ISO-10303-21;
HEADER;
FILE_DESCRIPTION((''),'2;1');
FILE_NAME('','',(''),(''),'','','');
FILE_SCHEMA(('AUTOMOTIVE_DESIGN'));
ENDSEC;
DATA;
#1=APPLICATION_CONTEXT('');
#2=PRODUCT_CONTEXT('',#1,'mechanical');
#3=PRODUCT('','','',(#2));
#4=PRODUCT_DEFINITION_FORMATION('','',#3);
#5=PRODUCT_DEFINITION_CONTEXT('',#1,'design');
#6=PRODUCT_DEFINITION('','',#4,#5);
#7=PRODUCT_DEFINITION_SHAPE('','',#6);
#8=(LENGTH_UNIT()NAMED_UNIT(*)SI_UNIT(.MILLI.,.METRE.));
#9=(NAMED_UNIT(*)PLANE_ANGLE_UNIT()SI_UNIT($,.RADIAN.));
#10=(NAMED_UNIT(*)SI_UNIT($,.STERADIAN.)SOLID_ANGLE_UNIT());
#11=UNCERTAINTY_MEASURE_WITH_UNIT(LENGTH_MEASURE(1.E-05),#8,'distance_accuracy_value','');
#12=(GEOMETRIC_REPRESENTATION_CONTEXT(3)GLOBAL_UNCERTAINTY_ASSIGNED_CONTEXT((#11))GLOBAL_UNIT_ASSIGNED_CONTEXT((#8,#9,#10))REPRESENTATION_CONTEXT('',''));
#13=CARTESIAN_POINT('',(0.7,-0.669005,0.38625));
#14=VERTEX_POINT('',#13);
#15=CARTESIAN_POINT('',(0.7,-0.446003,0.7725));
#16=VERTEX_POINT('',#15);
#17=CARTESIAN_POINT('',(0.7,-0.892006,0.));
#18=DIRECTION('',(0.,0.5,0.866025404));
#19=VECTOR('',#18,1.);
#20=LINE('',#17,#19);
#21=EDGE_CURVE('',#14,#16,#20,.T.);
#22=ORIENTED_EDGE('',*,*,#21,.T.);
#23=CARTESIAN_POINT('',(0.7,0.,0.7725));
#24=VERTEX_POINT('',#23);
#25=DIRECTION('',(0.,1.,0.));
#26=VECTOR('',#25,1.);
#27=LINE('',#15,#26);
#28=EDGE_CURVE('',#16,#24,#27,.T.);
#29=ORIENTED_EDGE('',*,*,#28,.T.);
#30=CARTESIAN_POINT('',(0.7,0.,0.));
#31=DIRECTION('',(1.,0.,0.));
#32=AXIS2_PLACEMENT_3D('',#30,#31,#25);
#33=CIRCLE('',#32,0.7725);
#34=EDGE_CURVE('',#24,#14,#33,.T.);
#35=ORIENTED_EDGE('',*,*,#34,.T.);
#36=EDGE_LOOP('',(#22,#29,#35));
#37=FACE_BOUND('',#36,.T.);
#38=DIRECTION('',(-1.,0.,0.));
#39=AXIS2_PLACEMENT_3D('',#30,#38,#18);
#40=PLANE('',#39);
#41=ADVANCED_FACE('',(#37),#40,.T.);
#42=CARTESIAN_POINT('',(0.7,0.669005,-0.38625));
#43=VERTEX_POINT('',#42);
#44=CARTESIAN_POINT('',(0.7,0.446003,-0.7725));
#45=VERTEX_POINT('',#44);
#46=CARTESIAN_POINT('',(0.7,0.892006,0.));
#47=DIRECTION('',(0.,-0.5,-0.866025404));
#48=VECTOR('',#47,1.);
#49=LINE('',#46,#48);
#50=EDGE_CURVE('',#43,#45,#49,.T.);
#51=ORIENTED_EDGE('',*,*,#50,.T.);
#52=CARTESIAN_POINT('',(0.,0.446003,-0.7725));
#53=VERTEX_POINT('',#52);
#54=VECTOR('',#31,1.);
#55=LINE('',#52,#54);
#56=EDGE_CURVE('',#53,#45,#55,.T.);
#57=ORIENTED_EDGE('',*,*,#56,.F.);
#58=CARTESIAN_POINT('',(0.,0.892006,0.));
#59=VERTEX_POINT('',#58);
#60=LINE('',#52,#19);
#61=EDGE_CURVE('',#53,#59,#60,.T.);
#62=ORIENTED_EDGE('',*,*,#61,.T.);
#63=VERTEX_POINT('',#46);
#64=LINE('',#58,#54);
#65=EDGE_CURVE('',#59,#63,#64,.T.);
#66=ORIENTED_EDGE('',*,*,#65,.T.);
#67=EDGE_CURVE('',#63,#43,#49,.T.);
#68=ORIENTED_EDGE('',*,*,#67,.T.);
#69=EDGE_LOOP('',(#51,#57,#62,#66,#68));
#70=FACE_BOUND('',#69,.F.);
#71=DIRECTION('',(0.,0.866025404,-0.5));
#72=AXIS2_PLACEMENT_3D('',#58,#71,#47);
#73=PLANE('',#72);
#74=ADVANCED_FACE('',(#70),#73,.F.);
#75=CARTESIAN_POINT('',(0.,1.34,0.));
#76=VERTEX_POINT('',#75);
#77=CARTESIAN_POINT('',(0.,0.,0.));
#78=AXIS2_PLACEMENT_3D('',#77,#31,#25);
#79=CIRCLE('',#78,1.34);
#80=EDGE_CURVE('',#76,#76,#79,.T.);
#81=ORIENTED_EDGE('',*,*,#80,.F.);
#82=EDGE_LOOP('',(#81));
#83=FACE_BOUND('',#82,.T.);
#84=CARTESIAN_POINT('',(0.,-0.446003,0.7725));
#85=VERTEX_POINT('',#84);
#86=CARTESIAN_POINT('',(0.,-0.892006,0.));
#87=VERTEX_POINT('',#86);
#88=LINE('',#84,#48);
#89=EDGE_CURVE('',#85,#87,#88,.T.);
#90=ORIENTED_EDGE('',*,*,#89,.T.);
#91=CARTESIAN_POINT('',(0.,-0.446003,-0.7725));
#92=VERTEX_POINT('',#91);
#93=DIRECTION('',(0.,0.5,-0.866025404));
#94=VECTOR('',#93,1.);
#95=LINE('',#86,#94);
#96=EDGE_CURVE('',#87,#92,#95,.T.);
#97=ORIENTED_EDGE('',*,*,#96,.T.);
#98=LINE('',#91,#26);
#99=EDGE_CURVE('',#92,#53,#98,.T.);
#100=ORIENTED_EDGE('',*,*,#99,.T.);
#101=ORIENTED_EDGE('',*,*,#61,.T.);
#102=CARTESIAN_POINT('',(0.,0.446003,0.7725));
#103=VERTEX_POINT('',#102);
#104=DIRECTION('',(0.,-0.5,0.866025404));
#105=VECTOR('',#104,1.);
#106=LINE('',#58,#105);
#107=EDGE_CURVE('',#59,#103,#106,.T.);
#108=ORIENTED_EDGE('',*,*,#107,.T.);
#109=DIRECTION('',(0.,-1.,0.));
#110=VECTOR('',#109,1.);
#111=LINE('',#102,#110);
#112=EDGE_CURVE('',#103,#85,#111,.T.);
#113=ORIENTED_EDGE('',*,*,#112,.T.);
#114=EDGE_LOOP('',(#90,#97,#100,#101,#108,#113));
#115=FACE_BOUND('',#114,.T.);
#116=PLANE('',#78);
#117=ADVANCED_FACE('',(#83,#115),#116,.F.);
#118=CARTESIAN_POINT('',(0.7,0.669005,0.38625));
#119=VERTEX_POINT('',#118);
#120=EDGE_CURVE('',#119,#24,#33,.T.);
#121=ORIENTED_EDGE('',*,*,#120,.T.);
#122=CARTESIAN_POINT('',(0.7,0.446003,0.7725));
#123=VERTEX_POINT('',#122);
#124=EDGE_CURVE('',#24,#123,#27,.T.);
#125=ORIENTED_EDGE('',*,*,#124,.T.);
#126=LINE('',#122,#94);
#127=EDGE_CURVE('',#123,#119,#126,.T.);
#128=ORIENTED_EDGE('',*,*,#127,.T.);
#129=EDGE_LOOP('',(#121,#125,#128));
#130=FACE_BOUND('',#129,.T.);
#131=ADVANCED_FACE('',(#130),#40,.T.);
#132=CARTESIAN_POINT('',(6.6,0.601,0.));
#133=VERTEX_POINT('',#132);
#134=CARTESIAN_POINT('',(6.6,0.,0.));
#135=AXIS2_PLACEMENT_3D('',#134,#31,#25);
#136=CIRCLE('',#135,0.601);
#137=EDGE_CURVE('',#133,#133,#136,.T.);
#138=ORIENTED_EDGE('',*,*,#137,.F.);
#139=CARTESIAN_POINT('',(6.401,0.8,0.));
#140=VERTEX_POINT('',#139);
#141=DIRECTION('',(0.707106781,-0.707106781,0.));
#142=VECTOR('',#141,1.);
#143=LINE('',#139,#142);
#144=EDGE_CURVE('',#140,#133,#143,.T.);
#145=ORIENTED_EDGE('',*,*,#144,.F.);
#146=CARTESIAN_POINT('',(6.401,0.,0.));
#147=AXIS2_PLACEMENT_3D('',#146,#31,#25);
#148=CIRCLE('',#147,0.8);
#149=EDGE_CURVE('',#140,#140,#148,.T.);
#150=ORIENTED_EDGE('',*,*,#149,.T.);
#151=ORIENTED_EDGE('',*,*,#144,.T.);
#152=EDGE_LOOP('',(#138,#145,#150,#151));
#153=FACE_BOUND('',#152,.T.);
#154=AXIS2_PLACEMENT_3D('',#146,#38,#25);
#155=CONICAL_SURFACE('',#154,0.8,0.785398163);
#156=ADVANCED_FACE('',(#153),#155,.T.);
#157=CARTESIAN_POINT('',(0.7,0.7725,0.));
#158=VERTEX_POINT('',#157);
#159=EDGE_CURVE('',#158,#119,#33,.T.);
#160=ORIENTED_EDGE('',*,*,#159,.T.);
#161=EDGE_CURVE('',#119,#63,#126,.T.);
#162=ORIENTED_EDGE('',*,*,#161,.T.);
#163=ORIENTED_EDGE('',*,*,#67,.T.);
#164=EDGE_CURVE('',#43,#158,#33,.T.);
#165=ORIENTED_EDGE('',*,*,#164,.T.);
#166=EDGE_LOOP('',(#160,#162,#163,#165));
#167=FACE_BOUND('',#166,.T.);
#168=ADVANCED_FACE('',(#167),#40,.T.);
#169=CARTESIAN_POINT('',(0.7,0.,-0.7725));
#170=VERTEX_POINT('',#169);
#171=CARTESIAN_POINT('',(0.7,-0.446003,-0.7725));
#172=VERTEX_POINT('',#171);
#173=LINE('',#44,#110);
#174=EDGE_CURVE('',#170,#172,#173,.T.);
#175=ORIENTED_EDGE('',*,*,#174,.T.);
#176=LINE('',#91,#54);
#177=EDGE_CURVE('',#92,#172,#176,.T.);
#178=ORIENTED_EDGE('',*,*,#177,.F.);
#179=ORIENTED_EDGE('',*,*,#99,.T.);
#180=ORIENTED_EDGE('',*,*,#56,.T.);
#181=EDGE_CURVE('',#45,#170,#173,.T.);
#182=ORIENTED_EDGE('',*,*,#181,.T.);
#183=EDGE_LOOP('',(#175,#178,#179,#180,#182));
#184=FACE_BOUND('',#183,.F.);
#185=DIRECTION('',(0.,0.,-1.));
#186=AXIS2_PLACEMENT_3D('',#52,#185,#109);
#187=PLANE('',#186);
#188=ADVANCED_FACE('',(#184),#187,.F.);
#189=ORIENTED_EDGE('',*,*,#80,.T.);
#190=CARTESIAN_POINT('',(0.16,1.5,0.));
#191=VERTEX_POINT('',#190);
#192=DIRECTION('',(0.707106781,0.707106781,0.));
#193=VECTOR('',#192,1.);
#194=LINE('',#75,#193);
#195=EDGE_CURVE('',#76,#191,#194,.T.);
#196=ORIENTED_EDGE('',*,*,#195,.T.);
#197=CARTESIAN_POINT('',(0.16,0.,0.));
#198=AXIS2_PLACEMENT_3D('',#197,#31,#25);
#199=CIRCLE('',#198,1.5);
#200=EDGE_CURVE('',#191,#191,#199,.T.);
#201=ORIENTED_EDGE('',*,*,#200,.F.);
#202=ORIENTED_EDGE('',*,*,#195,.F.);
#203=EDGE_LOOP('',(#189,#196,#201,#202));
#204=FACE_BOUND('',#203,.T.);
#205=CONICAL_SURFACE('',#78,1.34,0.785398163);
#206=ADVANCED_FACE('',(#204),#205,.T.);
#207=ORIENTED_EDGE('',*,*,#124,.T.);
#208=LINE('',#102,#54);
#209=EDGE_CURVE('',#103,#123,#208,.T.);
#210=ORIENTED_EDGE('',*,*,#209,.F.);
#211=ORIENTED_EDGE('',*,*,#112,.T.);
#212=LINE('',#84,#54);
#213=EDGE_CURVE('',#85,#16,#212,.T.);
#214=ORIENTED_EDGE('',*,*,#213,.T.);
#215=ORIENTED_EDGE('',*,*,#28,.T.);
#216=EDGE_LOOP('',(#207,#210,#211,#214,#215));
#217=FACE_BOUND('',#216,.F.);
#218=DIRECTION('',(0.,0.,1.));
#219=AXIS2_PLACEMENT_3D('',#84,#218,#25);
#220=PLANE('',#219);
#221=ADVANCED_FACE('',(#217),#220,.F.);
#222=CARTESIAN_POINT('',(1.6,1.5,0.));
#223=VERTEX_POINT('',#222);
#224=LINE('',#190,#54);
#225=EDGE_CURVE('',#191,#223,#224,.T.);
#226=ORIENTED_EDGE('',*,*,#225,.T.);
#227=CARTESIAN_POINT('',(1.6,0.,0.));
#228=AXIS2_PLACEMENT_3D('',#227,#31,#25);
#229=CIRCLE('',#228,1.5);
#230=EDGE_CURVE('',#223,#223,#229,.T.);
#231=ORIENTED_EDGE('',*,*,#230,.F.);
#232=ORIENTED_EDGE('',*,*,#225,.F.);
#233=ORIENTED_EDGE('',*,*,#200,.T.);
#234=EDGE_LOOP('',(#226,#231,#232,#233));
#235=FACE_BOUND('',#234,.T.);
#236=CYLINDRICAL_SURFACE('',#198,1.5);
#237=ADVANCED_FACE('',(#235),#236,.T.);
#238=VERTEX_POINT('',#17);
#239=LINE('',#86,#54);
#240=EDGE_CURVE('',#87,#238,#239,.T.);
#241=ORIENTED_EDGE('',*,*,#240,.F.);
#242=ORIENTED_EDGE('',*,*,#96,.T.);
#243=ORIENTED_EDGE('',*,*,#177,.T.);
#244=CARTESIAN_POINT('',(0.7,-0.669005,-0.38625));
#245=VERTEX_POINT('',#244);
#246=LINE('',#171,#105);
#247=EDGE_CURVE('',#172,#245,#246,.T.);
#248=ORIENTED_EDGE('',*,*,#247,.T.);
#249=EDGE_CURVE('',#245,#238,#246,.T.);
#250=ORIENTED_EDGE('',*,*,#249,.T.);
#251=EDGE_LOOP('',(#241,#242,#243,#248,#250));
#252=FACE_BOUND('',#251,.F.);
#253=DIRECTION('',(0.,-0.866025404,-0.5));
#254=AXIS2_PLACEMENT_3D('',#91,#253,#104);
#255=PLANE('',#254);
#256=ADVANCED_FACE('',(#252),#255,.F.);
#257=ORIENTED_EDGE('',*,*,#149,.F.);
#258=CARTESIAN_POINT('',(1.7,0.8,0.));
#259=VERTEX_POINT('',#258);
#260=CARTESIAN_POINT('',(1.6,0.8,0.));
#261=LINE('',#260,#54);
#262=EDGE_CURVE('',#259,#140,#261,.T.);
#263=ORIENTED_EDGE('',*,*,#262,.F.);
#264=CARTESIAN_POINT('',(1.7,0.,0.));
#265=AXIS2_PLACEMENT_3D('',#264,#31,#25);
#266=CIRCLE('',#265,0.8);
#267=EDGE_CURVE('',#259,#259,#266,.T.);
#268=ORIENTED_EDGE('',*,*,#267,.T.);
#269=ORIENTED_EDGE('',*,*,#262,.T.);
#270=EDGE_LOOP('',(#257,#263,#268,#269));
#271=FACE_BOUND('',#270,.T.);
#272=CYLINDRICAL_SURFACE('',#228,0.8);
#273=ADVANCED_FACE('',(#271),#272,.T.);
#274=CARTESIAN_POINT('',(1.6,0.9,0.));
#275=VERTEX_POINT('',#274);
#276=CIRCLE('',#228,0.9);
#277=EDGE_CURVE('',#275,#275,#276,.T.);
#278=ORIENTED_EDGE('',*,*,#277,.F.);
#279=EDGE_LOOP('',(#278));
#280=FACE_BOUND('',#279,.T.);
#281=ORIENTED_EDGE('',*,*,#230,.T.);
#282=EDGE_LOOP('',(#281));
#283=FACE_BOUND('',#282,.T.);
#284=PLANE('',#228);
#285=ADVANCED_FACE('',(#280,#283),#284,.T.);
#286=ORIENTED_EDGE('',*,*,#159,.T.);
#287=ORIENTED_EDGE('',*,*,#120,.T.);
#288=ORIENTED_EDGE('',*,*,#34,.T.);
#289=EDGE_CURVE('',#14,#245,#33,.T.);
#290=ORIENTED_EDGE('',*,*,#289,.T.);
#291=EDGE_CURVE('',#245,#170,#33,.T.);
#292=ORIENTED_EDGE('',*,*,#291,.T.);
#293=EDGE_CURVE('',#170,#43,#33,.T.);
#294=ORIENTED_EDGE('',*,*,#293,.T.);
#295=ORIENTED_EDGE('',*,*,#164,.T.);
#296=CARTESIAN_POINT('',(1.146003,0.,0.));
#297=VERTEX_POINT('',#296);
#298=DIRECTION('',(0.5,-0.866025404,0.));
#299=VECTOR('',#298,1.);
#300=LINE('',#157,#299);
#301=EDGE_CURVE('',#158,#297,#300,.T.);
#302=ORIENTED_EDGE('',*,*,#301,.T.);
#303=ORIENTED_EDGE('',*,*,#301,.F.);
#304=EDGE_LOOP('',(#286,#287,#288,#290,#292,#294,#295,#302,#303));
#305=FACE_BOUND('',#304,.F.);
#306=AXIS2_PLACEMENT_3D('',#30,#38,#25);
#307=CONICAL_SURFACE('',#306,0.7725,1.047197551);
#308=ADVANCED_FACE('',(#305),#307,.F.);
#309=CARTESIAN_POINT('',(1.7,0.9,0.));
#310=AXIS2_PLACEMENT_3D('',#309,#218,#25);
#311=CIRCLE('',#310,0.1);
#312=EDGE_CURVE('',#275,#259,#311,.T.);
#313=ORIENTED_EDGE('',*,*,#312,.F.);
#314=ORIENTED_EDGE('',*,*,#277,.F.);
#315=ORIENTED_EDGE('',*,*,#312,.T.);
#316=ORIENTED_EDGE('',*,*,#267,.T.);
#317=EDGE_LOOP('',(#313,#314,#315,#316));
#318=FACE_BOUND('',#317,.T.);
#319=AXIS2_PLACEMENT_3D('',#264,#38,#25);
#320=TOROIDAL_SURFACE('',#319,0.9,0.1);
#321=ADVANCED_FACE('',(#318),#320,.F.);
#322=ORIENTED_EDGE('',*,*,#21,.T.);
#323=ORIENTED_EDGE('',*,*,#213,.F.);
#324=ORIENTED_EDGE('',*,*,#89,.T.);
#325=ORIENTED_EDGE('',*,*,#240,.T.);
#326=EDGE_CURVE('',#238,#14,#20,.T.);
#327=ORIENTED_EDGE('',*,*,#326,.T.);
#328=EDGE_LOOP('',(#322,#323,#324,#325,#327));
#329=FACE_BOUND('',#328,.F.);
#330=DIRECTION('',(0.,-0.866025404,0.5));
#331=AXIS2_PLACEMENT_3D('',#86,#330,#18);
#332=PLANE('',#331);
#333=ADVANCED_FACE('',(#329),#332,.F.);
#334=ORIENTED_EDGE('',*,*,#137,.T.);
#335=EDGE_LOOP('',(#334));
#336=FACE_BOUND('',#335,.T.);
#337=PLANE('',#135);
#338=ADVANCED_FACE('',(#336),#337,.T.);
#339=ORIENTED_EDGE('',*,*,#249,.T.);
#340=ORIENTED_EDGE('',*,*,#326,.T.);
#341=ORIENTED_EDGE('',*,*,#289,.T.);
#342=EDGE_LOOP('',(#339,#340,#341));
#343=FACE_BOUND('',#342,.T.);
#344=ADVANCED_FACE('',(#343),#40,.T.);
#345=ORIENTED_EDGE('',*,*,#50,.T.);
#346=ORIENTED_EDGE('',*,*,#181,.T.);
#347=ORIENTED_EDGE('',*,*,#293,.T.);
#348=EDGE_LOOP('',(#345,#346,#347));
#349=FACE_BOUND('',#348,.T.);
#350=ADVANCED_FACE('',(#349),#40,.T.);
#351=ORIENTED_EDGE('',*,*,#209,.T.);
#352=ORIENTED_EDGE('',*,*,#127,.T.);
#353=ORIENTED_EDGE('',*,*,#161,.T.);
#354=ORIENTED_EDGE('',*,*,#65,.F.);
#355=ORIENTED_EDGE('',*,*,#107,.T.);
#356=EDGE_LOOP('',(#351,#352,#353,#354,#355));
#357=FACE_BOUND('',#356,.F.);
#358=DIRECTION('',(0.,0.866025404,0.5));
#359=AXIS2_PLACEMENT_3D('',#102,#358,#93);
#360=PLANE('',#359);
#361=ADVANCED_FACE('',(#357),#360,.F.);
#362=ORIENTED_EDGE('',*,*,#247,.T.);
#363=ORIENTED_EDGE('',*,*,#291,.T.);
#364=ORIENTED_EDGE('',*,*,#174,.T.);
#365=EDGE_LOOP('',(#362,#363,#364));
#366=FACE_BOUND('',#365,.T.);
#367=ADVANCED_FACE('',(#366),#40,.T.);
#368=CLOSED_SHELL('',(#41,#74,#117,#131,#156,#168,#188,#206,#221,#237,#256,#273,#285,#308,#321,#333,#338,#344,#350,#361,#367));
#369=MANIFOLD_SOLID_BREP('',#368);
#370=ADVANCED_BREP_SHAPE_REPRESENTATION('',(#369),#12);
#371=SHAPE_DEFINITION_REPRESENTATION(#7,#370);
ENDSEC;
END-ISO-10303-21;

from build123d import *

# Parameters (mm, degrees)
FILLET1_R   = 0.1
HEX_2_DEPTH = 0.7


with BuildPart() as part:
    # BodySke → Base-Revolve (revolve)
    with BuildSketch(Plane.XY):
        Polygon((0, 0), (0, 1.34), (0.16, 1.5), (1.6, 1.5), (1.6, 0.8), (6.401, 0.8), (6.6, 0.601), (6.6, 0), align=None)
    revolve(axis=Axis((-31.75, 0, 0), (1, 0, 0)))

    # Fillet1
    fillet1_edges = [part.edges().sort_by_distance(p)[0] for p in [
        (1.6, -0.8, 0),
    ]]
    fillet(fillet1_edges, radius=FILLET1_R)

    # Sketch2 → Hex-PreBroach (revolve, cut)
    with BuildSketch(Plane.XY):
        Polygon((0, 0.7725), (0.7, 0.7725), (1.146003083, 0), (0, 0), align=None)
    revolve(axis=Axis((0, 0, 0), (1, 0, 0)), mode=Mode.SUBTRACT)

    # Sketch3 → Hex 2 (cut)
    with BuildSketch(Plane(origin=(0, 0, 0), x_dir=(0, 0.5, 0.866025404), z_dir=(-1, 0, 0))):
        Polygon((0.446003083, 0.7725), (-0.446003083, 0.7725), (-0.892006166, 0), (-0.446003083, -0.7725), (0.446003083, -0.7725), (0.892006166, 0), align=None)
    extrude(amount=-HEX_2_DEPTH, mode=Mode.SUBTRACT)


solid = part.part
